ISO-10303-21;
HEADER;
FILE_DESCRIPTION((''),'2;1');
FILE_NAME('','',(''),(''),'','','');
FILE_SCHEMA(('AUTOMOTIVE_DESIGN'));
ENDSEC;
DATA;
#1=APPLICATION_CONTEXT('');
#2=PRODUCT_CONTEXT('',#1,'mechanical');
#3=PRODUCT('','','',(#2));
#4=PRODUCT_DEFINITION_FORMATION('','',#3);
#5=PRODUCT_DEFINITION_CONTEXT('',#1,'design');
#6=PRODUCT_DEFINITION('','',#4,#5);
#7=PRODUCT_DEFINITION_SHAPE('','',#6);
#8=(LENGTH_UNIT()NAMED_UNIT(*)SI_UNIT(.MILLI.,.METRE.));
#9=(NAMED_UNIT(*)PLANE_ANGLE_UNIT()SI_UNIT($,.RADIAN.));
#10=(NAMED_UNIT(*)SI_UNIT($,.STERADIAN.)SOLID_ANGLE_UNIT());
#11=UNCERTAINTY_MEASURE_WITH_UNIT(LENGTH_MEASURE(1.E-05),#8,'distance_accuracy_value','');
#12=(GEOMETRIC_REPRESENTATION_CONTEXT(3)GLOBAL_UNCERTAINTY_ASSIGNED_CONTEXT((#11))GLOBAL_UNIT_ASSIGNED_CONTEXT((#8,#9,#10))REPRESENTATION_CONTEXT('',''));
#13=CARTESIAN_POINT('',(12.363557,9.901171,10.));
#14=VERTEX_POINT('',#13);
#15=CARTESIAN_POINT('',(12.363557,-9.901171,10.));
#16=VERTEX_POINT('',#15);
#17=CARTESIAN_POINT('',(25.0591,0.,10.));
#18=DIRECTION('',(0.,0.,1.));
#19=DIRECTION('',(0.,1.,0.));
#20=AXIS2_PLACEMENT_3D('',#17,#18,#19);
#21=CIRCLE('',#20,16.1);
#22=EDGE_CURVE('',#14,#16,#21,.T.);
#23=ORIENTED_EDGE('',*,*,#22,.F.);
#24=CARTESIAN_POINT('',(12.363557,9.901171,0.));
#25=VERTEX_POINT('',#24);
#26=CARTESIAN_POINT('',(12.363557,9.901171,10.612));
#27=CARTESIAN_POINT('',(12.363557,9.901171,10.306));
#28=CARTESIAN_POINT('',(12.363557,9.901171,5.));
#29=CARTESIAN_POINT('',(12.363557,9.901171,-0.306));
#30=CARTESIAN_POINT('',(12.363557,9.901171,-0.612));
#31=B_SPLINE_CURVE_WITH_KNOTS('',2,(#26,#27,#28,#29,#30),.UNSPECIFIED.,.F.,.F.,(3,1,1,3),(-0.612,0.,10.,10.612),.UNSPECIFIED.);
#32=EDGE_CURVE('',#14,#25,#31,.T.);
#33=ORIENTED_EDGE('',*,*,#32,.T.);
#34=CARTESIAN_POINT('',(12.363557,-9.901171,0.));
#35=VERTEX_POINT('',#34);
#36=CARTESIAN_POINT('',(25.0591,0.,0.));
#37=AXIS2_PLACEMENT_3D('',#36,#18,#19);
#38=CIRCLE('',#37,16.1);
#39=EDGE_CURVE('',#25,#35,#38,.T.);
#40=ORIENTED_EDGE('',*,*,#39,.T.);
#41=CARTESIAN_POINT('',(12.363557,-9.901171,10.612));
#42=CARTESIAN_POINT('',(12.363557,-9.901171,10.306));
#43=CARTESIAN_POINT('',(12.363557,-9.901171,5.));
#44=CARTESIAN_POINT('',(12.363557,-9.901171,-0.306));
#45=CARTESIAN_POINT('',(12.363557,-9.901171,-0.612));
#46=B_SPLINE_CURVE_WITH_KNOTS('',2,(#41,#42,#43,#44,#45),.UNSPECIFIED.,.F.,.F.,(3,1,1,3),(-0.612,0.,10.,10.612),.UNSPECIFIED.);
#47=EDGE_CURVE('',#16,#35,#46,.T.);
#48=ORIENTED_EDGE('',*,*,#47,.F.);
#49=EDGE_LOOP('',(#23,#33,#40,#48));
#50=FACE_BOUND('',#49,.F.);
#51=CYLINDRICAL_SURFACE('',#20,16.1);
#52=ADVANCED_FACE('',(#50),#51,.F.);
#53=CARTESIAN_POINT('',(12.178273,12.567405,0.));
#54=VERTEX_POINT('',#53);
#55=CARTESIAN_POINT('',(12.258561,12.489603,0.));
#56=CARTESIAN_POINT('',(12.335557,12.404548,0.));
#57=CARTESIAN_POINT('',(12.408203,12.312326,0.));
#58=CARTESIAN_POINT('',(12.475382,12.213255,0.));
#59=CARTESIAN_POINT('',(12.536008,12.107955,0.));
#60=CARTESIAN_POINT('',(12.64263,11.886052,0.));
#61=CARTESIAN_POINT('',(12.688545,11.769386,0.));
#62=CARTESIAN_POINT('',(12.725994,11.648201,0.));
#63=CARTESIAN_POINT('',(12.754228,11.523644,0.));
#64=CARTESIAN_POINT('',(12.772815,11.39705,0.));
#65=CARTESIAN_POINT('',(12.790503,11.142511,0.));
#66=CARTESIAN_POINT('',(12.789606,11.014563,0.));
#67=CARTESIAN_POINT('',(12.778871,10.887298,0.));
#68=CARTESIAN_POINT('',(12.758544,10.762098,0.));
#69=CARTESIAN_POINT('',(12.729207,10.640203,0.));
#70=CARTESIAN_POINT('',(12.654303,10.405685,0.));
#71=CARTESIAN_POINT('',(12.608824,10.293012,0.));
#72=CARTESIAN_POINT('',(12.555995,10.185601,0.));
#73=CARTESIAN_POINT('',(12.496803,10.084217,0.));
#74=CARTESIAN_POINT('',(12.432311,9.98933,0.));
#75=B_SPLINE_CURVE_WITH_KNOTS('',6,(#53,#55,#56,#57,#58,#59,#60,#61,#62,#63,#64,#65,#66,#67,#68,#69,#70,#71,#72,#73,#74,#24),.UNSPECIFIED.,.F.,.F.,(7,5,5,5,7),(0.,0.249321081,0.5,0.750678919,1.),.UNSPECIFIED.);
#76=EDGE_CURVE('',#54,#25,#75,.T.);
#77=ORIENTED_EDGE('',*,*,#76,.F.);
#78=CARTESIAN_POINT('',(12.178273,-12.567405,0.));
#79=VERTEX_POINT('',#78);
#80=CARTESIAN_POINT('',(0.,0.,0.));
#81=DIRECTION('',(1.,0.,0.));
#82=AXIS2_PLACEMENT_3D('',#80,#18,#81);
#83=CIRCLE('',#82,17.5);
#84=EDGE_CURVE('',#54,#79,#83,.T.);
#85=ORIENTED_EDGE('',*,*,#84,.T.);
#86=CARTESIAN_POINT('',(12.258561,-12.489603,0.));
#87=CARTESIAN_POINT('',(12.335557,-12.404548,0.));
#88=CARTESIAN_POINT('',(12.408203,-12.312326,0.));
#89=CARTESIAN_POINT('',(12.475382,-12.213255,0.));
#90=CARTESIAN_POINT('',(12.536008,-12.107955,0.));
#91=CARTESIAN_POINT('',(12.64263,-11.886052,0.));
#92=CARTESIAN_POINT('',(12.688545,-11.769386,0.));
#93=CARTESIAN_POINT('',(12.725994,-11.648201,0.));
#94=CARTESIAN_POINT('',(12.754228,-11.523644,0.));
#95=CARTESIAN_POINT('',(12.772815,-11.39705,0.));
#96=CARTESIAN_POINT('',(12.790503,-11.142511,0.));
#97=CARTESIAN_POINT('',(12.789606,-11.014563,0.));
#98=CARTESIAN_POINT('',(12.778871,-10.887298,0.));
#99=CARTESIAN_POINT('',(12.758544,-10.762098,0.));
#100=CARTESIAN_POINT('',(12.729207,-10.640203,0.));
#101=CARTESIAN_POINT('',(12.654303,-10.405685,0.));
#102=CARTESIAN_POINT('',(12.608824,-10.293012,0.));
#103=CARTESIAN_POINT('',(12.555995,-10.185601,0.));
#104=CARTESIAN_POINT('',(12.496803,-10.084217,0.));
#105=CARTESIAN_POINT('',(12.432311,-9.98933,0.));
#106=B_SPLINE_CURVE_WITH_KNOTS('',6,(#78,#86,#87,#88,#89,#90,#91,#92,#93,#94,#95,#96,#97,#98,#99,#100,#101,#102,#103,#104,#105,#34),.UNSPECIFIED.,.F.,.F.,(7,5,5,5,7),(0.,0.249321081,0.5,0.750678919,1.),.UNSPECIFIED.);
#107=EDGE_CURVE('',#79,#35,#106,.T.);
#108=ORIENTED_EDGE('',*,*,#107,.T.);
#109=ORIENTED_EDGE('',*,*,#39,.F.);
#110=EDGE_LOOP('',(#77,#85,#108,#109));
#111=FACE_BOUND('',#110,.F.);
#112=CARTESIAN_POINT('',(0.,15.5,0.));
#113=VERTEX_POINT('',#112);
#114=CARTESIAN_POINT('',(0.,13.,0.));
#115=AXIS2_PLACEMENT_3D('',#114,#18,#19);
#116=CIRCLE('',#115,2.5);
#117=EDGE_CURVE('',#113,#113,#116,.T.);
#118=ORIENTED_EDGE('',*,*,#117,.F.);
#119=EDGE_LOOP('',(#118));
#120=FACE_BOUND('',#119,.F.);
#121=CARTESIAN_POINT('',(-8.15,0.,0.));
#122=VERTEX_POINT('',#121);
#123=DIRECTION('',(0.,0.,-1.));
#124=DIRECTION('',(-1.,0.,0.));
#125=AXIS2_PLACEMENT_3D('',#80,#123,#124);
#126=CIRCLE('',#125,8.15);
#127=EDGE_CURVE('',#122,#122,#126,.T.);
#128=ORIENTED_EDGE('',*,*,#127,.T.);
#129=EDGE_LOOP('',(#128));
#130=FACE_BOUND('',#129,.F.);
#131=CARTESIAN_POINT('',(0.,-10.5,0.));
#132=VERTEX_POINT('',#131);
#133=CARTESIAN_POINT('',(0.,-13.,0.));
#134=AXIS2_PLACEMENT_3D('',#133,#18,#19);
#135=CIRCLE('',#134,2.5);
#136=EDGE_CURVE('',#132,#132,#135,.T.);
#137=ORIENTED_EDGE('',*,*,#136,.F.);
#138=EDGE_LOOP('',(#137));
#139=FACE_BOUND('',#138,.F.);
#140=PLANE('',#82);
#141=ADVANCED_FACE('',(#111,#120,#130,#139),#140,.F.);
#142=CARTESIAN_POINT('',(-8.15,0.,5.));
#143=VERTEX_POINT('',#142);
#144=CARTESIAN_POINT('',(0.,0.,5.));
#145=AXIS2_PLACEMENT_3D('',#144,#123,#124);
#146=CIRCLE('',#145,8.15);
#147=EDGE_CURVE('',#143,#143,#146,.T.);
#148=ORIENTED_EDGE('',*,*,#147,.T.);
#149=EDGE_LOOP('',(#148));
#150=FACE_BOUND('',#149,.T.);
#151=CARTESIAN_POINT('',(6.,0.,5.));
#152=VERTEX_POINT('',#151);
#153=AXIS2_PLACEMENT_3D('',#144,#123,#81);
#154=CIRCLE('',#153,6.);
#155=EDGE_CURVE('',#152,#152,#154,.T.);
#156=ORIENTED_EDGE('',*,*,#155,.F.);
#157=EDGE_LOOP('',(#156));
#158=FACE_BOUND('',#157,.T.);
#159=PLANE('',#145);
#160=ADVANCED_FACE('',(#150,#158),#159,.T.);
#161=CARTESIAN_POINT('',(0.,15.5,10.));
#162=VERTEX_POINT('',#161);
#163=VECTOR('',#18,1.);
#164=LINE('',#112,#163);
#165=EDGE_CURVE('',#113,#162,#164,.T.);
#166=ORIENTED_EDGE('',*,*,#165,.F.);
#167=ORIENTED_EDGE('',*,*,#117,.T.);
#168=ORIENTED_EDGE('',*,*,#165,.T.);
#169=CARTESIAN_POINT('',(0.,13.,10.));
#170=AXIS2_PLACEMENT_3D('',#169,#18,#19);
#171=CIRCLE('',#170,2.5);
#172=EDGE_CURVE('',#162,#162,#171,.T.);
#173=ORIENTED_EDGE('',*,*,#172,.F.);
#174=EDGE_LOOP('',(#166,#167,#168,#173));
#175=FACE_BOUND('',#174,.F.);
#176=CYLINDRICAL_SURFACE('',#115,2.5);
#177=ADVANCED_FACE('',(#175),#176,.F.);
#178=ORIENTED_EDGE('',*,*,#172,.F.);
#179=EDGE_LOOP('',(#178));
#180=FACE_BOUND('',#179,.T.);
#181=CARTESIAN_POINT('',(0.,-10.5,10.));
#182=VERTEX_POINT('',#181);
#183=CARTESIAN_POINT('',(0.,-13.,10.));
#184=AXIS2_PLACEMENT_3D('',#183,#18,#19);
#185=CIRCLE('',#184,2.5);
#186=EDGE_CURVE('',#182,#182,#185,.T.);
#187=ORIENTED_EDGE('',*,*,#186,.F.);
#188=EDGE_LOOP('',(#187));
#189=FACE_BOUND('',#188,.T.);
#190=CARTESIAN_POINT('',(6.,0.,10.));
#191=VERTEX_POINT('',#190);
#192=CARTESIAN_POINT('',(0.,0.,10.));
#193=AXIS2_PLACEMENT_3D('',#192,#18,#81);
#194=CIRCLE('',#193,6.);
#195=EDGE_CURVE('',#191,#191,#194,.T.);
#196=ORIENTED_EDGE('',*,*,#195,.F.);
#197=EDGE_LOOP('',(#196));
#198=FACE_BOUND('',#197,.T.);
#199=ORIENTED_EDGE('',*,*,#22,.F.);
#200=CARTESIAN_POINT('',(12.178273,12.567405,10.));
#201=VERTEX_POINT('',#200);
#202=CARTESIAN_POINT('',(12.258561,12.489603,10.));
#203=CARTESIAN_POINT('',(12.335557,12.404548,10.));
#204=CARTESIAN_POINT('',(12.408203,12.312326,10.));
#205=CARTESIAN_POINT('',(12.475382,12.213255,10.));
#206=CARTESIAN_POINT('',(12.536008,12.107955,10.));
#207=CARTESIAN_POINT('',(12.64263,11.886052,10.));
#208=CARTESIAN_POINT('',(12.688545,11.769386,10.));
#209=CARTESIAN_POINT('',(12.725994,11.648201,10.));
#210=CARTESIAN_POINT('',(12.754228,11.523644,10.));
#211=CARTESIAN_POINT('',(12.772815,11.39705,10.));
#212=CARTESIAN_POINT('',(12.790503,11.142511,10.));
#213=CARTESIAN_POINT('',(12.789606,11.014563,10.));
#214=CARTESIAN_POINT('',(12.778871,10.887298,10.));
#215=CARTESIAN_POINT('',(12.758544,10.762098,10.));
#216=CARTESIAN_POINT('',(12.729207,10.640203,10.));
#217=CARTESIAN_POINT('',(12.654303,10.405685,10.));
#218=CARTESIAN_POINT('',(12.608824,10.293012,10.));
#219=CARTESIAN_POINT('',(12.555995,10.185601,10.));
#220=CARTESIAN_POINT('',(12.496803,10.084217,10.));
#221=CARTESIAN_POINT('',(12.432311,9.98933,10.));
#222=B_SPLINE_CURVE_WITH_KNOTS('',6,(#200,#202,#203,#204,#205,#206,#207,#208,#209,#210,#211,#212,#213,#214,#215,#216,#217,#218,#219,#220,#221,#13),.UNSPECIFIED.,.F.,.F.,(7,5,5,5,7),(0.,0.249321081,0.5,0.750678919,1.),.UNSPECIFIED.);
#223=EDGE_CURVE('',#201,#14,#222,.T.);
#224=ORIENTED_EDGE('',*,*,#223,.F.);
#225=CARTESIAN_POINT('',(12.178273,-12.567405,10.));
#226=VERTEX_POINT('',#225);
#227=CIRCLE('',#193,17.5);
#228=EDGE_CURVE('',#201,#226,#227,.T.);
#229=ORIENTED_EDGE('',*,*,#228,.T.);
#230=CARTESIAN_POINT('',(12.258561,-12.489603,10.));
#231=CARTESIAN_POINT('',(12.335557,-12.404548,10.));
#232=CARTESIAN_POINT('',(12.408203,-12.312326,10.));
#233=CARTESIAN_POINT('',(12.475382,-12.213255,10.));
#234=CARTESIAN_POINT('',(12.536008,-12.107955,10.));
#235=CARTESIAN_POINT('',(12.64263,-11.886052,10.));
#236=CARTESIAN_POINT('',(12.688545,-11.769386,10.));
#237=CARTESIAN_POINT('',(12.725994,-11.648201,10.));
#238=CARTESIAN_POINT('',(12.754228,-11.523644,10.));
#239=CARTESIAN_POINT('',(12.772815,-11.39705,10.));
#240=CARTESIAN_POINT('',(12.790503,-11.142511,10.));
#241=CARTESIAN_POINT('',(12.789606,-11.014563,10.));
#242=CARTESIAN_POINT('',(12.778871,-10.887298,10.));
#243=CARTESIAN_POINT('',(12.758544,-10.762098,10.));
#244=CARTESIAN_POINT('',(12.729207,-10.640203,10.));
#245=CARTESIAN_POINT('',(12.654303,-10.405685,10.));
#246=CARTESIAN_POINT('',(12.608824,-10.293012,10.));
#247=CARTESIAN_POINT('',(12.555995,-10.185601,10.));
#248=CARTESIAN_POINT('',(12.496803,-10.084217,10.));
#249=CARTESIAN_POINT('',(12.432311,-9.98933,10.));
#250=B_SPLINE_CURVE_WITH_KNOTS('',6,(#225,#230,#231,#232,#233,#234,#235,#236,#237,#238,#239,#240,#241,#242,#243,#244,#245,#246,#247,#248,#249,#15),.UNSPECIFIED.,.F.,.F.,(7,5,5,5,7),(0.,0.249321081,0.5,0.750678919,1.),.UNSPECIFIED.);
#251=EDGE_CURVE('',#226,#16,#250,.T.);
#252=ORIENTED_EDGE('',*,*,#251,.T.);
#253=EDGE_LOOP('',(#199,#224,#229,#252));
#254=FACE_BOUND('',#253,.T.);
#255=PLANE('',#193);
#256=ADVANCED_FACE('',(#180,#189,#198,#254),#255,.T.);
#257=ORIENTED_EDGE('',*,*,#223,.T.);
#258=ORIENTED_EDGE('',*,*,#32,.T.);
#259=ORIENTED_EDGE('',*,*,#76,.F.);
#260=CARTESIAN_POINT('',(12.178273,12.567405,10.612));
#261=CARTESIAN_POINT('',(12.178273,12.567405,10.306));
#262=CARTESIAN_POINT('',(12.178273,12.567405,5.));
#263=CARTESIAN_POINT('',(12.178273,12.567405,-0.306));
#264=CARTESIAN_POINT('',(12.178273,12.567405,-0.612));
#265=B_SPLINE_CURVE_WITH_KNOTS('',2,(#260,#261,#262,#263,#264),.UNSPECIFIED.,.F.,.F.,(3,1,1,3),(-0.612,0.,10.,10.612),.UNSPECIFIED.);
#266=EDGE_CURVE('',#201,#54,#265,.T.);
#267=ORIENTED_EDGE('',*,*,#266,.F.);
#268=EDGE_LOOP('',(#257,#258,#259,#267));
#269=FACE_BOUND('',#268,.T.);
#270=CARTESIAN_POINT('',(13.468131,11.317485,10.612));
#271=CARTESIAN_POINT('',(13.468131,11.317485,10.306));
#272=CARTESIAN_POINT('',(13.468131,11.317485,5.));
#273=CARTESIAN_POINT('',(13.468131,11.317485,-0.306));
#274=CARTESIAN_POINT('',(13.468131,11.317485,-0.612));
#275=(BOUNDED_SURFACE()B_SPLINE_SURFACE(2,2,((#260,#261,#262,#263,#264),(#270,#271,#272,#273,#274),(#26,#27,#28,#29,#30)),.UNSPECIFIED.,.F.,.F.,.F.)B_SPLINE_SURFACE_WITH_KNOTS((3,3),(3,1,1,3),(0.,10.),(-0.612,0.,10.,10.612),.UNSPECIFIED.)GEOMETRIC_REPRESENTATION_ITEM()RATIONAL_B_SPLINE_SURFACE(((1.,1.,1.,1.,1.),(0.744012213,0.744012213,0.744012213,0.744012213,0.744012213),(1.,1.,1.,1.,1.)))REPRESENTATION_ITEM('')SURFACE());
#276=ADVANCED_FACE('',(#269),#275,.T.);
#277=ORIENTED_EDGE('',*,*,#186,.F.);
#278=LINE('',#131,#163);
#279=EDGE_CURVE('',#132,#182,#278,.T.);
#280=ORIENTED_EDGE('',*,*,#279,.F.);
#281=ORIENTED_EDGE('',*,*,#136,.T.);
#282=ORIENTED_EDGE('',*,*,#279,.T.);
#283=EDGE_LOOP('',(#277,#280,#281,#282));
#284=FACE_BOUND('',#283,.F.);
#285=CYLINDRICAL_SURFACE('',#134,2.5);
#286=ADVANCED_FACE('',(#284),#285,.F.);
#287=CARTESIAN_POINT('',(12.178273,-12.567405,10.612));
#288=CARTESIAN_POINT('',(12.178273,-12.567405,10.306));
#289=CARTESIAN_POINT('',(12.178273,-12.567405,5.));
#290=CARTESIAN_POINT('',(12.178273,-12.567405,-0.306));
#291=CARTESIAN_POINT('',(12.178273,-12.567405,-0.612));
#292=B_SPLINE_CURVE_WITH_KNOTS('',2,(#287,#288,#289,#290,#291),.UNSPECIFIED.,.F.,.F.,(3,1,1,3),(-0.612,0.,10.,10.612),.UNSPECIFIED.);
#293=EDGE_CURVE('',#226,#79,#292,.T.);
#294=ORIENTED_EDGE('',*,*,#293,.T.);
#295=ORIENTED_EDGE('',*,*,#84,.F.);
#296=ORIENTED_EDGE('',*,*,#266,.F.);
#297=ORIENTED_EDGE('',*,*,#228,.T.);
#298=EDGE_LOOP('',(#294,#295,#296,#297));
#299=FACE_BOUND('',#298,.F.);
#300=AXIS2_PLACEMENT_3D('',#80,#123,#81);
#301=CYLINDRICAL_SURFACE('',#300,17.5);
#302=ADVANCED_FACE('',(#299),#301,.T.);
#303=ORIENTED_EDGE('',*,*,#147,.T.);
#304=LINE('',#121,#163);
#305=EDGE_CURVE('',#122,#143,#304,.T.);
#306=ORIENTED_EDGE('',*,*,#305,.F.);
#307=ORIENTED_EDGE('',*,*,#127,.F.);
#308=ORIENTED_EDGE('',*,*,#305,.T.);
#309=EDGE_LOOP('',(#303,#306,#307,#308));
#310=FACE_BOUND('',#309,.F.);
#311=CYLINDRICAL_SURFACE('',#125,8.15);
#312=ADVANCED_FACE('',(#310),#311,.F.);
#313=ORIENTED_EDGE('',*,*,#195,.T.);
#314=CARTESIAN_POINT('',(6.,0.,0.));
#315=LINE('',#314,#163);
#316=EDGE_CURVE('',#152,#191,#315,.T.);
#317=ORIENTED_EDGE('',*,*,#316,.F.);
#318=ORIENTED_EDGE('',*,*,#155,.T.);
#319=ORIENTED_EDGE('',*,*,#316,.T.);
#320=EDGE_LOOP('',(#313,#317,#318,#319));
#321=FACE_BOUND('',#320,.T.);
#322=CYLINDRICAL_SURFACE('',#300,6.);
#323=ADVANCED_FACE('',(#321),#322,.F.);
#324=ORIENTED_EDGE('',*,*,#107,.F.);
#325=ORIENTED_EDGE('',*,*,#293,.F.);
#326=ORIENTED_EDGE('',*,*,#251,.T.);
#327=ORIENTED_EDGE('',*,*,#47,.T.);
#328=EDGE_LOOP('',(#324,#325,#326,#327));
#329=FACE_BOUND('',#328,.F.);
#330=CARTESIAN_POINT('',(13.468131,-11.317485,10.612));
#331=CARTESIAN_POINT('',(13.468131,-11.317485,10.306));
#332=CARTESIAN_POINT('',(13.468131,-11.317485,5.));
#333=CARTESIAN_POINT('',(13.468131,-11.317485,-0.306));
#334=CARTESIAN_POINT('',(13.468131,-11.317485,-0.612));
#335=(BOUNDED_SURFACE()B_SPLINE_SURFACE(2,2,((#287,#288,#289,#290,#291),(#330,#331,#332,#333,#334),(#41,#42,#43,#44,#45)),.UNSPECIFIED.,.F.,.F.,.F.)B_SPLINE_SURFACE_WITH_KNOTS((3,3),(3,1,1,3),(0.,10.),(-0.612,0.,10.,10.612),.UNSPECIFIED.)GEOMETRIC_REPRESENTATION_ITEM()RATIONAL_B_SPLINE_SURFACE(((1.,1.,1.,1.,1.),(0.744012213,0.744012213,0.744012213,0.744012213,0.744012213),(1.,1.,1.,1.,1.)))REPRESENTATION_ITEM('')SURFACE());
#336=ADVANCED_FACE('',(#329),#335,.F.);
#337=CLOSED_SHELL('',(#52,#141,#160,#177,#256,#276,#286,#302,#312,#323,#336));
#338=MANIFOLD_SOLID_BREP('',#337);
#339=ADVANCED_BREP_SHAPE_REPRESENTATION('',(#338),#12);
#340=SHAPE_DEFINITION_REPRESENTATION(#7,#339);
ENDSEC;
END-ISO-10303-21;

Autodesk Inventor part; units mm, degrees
ref_plane "YZ Plane" through (0, 0, 0) normal (1, 0, 0) x (0, 1, 0)
ref_plane "XZ Plane" through (0, 0, 0) normal (0, 1, 0) x (-1, 0, 0)
ref_plane "XY Plane" through (0, 0, 0) normal (0, 0, 1) x (1, 0, 0)
sketch "Sketch1" plane through (0, 0, 0) normal (0, 0, 1) x (1, 0, 0)
  circle A0 centre (0, 0) radius 6
  circle A1 centre (0, 0) radius 17.5
  dimension "d0" = 12
  dimension "d1" = 35
extrude "Extrusion1" add sketch "Sketch1" along normal blind 10
sketch "Sketch4" plane through (0, 0, 0) normal (0, 0, -1) x (-1, 0, 0)
  circle A0 centre (0, 0) radius 13 construction
  point P0 (0, -13)
  point P1 (0, 13)
  dimension "d7" = 26
hole "Hole1" at (0, -13, 0) at (0, 13, 0) direction (0, 0, 1) diameter 5 end through all
sketch "Sketch5" plane through (0, 0, 0) normal (0, 0, -1) x (-1, 0, 0)
  circle A0 centre (0, 0) radius 8.15
  dimension "d15" = 16.3
extrude "Extrusion3" cut sketch "Sketch5" against normal blind 5
sketch "Sketch6" plane through (0, 0, 10) normal (0, 0, 1) x (1, 0, 0)
  arc A0 (25.0591, 16.1) -> (25.0591, -16.1) centre (25.0591, 0) ccw projected
  arc A1 (25.0591, 17.1) -> (25.0591, -17.1) centre (25.0591, 0) ccw
  circle A2 centre (0, 0) radius 17.5 projected
  point P0 (12.8057, 11.9274)
  point P1 (12.8057, -11.9274)
  point P2 (13.4681, 11.174)
  point P3 (13.4681, -11.174)
  dimension "d22" = 1
extrude "Extrusion4" cut sketch "Sketch6" against normal through all contours A2 A0
fillet "Fillet1" radius 2 2 edges at (13.4681, -11.174, 5) (13.4681, 11.174, 5)
properties part number "Suport_Rulment" material "ABS Plastic"
